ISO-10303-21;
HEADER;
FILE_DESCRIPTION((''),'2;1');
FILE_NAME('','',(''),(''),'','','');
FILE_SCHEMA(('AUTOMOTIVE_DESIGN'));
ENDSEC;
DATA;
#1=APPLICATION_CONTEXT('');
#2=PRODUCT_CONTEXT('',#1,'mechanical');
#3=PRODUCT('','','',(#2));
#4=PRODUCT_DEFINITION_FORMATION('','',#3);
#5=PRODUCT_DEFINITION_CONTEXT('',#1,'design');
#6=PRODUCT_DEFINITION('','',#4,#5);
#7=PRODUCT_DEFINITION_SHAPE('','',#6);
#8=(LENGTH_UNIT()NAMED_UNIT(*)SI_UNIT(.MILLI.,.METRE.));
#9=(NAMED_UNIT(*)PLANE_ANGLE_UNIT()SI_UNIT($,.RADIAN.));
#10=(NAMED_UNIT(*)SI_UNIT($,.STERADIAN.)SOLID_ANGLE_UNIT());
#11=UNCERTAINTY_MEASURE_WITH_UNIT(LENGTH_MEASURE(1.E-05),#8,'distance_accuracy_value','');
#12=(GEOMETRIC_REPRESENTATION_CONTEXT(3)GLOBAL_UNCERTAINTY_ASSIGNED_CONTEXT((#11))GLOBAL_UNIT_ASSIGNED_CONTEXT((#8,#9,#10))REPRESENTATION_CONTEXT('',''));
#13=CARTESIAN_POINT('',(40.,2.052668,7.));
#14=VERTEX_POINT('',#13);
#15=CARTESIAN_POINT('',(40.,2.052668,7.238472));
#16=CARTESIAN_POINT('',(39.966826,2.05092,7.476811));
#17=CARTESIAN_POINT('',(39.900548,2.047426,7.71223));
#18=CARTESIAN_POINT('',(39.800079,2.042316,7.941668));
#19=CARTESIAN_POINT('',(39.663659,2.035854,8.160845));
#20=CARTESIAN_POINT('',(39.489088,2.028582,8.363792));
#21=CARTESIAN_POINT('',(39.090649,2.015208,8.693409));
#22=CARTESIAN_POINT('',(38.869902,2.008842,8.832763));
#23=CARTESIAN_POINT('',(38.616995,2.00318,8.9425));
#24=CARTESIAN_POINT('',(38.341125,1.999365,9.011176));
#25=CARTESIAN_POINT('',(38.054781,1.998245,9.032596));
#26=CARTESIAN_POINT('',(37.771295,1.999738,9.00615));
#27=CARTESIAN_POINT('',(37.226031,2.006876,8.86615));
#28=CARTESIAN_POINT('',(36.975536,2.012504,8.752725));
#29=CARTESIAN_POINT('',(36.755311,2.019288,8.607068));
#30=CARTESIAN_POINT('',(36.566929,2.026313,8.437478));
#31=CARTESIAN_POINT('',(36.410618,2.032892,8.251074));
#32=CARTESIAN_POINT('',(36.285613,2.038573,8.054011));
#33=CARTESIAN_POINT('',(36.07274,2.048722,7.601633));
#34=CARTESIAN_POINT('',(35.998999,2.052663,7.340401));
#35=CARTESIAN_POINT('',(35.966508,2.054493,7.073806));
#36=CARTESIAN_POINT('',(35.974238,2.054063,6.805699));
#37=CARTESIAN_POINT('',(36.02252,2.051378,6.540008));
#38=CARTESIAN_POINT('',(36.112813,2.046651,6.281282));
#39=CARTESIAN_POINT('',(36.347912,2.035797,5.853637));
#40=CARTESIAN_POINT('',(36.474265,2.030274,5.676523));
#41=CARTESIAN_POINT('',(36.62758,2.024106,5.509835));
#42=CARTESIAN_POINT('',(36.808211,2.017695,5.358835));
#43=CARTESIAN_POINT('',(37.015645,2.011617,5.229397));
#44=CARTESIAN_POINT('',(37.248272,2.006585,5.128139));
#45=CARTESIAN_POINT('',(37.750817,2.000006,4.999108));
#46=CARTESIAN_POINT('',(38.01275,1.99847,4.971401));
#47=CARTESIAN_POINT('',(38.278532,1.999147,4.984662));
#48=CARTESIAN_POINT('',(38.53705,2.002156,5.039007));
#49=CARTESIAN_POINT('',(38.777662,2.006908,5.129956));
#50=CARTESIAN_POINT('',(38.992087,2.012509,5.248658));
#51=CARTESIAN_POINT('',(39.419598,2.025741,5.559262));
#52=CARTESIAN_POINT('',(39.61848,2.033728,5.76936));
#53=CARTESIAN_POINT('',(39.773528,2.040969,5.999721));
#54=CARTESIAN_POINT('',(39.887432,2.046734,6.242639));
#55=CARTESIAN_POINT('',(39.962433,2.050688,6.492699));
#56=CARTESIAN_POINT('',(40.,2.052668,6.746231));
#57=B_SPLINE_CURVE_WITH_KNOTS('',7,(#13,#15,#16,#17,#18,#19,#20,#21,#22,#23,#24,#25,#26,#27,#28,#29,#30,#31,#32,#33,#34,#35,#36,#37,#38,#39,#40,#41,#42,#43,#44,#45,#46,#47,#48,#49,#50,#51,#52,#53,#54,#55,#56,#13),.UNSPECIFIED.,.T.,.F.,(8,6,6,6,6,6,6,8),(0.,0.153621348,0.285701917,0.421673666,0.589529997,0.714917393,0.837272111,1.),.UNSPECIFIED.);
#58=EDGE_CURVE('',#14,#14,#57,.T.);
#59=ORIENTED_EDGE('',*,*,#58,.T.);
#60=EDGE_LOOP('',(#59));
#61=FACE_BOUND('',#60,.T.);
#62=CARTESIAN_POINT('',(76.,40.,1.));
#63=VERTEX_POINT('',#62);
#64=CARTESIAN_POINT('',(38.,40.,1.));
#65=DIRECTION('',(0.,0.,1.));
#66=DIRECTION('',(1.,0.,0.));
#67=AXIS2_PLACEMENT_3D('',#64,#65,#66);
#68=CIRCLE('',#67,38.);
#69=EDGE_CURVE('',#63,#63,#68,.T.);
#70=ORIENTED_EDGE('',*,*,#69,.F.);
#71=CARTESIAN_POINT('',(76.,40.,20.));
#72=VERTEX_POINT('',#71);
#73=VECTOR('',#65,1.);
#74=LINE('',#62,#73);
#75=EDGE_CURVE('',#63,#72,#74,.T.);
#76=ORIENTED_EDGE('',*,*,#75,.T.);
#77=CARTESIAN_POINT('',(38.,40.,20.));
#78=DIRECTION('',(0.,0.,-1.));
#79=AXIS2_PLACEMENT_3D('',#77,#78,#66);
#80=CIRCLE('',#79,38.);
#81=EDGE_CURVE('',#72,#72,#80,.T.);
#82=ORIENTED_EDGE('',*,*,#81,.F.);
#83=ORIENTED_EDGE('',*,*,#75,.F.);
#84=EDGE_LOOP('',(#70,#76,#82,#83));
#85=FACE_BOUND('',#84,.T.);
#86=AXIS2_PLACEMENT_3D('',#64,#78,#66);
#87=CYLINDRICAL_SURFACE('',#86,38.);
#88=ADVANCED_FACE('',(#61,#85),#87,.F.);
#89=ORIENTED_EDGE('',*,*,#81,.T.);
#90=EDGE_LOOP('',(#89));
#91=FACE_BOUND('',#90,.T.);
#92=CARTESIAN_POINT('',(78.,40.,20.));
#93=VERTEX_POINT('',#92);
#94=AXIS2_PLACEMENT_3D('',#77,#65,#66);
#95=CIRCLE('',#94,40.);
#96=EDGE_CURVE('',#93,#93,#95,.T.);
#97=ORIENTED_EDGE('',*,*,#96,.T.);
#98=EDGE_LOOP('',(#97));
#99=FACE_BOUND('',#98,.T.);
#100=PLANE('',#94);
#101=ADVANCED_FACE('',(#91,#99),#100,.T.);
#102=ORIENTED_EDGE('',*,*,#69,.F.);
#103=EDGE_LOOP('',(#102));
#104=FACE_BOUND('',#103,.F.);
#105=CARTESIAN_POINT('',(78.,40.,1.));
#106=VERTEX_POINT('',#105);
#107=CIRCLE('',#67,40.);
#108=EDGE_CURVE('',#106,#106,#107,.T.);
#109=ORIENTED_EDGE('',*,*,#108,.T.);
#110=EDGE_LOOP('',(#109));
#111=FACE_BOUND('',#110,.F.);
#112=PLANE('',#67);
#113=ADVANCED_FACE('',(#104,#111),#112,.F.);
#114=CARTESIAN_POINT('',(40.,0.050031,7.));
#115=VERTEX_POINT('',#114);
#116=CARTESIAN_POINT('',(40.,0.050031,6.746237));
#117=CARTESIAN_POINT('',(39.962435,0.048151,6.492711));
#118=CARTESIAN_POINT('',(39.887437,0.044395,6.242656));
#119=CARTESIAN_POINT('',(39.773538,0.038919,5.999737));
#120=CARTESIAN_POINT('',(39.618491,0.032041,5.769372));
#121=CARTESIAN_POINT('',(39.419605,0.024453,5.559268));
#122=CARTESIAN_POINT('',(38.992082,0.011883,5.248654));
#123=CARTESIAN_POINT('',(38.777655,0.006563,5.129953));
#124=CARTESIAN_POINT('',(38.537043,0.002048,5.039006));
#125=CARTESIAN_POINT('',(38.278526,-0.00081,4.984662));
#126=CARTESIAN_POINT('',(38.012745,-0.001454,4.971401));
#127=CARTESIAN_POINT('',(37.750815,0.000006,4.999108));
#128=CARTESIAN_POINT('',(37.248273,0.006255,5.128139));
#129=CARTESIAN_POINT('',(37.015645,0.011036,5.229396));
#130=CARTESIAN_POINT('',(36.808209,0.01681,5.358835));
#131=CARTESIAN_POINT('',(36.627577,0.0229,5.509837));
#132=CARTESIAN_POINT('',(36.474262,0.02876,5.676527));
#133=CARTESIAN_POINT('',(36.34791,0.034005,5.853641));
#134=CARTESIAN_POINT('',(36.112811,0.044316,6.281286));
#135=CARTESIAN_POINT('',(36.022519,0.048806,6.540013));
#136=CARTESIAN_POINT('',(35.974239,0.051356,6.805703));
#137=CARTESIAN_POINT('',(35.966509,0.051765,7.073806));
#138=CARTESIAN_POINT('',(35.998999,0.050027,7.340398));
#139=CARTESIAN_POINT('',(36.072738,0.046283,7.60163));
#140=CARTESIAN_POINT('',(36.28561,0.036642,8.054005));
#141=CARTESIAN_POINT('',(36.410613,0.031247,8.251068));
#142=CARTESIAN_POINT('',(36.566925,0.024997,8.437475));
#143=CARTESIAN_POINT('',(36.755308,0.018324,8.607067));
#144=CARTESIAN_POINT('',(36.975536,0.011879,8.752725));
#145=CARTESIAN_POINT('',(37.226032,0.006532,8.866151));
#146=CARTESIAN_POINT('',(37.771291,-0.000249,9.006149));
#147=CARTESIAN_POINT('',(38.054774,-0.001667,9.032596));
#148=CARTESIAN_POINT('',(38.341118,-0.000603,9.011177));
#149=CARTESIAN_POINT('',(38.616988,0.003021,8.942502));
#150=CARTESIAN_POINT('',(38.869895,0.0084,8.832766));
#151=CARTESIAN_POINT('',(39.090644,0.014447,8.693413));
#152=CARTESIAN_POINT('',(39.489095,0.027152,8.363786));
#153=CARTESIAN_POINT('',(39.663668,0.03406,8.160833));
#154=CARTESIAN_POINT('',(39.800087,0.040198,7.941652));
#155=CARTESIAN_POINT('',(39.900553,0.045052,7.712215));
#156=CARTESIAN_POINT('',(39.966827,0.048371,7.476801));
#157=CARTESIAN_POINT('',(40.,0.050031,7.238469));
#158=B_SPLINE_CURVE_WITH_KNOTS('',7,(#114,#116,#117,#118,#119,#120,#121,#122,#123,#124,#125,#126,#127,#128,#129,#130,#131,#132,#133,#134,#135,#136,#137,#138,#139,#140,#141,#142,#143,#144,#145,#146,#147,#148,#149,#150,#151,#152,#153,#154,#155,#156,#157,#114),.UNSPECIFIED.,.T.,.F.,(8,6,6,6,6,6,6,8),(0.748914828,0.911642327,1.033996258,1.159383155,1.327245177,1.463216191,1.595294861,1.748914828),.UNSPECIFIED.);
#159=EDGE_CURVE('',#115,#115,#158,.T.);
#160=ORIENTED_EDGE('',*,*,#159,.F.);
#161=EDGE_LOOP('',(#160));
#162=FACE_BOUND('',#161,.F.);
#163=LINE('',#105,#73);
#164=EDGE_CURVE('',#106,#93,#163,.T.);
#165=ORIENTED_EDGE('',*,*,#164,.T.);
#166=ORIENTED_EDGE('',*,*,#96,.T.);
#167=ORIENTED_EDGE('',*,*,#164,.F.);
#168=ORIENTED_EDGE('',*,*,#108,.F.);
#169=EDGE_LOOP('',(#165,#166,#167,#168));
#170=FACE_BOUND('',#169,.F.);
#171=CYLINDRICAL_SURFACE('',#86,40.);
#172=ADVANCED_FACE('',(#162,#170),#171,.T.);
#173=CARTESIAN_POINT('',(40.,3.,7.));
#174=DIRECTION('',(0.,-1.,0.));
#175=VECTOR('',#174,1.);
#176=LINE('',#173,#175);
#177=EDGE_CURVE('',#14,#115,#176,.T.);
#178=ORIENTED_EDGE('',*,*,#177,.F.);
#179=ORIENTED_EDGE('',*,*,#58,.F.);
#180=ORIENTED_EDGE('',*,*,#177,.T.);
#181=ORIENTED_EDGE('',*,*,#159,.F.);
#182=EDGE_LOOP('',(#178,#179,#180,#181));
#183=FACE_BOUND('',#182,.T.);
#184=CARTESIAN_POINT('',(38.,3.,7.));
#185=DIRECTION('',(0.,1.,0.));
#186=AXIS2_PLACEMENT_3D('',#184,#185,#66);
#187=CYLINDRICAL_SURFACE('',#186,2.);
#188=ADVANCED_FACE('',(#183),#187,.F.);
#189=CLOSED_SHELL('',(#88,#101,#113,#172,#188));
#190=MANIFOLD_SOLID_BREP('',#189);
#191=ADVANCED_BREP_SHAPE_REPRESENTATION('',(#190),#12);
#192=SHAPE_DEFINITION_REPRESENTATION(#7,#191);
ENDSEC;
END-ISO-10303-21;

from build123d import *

# Parameters (mm, degrees)
CYLINDER010_R     = 2
CYLINDER010_DEPTH = 3
CYLINDER_R        = 38
CYLINDER_DEPTH    = 20
CYLINDER001_R     = 40
CYLINDER001_DEPTH = 19


with BuildPart() as wirehole:
    # Cylinder010 → Cylinder010 (new body)
    with BuildSketch(Plane(origin=(38, 1, 5), x_dir=(1, 0, 0), z_dir=(0, -1, 0))):
        Circle(CYLINDER010_R)
    extrude(amount=CYLINDER010_DEPTH)


with BuildPart() as depthpunch:
    # Cylinder → Cylinder (new body)
    with BuildSketch(Plane(origin=(38, 38, -1), x_dir=(1, 0, 0), z_dir=(0, 0, 1))):
        Circle(CYLINDER_R)
    extrude(amount=CYLINDER_DEPTH)

    # Fusion004: union WireHole
    add(wirehole.part)


with BuildPart() as depth:
    # Cylinder001 → Cylinder001 (new body)
    with BuildSketch(Plane(origin=(38, 38, -1), x_dir=(1, 0, 0), z_dir=(0, 0, 1))):
        Circle(CYLINDER001_R)
    extrude(amount=CYLINDER001_DEPTH)

    # Cut007: cut DEPTHPUNCH
    add(depthpunch.part, mode=Mode.SUBTRACT)


with BuildPart() as depth_1:
    # Cut007 placement: moved
    add(depth.part.moved(Location((0, 2, 2))))


solid = depth_1.part
